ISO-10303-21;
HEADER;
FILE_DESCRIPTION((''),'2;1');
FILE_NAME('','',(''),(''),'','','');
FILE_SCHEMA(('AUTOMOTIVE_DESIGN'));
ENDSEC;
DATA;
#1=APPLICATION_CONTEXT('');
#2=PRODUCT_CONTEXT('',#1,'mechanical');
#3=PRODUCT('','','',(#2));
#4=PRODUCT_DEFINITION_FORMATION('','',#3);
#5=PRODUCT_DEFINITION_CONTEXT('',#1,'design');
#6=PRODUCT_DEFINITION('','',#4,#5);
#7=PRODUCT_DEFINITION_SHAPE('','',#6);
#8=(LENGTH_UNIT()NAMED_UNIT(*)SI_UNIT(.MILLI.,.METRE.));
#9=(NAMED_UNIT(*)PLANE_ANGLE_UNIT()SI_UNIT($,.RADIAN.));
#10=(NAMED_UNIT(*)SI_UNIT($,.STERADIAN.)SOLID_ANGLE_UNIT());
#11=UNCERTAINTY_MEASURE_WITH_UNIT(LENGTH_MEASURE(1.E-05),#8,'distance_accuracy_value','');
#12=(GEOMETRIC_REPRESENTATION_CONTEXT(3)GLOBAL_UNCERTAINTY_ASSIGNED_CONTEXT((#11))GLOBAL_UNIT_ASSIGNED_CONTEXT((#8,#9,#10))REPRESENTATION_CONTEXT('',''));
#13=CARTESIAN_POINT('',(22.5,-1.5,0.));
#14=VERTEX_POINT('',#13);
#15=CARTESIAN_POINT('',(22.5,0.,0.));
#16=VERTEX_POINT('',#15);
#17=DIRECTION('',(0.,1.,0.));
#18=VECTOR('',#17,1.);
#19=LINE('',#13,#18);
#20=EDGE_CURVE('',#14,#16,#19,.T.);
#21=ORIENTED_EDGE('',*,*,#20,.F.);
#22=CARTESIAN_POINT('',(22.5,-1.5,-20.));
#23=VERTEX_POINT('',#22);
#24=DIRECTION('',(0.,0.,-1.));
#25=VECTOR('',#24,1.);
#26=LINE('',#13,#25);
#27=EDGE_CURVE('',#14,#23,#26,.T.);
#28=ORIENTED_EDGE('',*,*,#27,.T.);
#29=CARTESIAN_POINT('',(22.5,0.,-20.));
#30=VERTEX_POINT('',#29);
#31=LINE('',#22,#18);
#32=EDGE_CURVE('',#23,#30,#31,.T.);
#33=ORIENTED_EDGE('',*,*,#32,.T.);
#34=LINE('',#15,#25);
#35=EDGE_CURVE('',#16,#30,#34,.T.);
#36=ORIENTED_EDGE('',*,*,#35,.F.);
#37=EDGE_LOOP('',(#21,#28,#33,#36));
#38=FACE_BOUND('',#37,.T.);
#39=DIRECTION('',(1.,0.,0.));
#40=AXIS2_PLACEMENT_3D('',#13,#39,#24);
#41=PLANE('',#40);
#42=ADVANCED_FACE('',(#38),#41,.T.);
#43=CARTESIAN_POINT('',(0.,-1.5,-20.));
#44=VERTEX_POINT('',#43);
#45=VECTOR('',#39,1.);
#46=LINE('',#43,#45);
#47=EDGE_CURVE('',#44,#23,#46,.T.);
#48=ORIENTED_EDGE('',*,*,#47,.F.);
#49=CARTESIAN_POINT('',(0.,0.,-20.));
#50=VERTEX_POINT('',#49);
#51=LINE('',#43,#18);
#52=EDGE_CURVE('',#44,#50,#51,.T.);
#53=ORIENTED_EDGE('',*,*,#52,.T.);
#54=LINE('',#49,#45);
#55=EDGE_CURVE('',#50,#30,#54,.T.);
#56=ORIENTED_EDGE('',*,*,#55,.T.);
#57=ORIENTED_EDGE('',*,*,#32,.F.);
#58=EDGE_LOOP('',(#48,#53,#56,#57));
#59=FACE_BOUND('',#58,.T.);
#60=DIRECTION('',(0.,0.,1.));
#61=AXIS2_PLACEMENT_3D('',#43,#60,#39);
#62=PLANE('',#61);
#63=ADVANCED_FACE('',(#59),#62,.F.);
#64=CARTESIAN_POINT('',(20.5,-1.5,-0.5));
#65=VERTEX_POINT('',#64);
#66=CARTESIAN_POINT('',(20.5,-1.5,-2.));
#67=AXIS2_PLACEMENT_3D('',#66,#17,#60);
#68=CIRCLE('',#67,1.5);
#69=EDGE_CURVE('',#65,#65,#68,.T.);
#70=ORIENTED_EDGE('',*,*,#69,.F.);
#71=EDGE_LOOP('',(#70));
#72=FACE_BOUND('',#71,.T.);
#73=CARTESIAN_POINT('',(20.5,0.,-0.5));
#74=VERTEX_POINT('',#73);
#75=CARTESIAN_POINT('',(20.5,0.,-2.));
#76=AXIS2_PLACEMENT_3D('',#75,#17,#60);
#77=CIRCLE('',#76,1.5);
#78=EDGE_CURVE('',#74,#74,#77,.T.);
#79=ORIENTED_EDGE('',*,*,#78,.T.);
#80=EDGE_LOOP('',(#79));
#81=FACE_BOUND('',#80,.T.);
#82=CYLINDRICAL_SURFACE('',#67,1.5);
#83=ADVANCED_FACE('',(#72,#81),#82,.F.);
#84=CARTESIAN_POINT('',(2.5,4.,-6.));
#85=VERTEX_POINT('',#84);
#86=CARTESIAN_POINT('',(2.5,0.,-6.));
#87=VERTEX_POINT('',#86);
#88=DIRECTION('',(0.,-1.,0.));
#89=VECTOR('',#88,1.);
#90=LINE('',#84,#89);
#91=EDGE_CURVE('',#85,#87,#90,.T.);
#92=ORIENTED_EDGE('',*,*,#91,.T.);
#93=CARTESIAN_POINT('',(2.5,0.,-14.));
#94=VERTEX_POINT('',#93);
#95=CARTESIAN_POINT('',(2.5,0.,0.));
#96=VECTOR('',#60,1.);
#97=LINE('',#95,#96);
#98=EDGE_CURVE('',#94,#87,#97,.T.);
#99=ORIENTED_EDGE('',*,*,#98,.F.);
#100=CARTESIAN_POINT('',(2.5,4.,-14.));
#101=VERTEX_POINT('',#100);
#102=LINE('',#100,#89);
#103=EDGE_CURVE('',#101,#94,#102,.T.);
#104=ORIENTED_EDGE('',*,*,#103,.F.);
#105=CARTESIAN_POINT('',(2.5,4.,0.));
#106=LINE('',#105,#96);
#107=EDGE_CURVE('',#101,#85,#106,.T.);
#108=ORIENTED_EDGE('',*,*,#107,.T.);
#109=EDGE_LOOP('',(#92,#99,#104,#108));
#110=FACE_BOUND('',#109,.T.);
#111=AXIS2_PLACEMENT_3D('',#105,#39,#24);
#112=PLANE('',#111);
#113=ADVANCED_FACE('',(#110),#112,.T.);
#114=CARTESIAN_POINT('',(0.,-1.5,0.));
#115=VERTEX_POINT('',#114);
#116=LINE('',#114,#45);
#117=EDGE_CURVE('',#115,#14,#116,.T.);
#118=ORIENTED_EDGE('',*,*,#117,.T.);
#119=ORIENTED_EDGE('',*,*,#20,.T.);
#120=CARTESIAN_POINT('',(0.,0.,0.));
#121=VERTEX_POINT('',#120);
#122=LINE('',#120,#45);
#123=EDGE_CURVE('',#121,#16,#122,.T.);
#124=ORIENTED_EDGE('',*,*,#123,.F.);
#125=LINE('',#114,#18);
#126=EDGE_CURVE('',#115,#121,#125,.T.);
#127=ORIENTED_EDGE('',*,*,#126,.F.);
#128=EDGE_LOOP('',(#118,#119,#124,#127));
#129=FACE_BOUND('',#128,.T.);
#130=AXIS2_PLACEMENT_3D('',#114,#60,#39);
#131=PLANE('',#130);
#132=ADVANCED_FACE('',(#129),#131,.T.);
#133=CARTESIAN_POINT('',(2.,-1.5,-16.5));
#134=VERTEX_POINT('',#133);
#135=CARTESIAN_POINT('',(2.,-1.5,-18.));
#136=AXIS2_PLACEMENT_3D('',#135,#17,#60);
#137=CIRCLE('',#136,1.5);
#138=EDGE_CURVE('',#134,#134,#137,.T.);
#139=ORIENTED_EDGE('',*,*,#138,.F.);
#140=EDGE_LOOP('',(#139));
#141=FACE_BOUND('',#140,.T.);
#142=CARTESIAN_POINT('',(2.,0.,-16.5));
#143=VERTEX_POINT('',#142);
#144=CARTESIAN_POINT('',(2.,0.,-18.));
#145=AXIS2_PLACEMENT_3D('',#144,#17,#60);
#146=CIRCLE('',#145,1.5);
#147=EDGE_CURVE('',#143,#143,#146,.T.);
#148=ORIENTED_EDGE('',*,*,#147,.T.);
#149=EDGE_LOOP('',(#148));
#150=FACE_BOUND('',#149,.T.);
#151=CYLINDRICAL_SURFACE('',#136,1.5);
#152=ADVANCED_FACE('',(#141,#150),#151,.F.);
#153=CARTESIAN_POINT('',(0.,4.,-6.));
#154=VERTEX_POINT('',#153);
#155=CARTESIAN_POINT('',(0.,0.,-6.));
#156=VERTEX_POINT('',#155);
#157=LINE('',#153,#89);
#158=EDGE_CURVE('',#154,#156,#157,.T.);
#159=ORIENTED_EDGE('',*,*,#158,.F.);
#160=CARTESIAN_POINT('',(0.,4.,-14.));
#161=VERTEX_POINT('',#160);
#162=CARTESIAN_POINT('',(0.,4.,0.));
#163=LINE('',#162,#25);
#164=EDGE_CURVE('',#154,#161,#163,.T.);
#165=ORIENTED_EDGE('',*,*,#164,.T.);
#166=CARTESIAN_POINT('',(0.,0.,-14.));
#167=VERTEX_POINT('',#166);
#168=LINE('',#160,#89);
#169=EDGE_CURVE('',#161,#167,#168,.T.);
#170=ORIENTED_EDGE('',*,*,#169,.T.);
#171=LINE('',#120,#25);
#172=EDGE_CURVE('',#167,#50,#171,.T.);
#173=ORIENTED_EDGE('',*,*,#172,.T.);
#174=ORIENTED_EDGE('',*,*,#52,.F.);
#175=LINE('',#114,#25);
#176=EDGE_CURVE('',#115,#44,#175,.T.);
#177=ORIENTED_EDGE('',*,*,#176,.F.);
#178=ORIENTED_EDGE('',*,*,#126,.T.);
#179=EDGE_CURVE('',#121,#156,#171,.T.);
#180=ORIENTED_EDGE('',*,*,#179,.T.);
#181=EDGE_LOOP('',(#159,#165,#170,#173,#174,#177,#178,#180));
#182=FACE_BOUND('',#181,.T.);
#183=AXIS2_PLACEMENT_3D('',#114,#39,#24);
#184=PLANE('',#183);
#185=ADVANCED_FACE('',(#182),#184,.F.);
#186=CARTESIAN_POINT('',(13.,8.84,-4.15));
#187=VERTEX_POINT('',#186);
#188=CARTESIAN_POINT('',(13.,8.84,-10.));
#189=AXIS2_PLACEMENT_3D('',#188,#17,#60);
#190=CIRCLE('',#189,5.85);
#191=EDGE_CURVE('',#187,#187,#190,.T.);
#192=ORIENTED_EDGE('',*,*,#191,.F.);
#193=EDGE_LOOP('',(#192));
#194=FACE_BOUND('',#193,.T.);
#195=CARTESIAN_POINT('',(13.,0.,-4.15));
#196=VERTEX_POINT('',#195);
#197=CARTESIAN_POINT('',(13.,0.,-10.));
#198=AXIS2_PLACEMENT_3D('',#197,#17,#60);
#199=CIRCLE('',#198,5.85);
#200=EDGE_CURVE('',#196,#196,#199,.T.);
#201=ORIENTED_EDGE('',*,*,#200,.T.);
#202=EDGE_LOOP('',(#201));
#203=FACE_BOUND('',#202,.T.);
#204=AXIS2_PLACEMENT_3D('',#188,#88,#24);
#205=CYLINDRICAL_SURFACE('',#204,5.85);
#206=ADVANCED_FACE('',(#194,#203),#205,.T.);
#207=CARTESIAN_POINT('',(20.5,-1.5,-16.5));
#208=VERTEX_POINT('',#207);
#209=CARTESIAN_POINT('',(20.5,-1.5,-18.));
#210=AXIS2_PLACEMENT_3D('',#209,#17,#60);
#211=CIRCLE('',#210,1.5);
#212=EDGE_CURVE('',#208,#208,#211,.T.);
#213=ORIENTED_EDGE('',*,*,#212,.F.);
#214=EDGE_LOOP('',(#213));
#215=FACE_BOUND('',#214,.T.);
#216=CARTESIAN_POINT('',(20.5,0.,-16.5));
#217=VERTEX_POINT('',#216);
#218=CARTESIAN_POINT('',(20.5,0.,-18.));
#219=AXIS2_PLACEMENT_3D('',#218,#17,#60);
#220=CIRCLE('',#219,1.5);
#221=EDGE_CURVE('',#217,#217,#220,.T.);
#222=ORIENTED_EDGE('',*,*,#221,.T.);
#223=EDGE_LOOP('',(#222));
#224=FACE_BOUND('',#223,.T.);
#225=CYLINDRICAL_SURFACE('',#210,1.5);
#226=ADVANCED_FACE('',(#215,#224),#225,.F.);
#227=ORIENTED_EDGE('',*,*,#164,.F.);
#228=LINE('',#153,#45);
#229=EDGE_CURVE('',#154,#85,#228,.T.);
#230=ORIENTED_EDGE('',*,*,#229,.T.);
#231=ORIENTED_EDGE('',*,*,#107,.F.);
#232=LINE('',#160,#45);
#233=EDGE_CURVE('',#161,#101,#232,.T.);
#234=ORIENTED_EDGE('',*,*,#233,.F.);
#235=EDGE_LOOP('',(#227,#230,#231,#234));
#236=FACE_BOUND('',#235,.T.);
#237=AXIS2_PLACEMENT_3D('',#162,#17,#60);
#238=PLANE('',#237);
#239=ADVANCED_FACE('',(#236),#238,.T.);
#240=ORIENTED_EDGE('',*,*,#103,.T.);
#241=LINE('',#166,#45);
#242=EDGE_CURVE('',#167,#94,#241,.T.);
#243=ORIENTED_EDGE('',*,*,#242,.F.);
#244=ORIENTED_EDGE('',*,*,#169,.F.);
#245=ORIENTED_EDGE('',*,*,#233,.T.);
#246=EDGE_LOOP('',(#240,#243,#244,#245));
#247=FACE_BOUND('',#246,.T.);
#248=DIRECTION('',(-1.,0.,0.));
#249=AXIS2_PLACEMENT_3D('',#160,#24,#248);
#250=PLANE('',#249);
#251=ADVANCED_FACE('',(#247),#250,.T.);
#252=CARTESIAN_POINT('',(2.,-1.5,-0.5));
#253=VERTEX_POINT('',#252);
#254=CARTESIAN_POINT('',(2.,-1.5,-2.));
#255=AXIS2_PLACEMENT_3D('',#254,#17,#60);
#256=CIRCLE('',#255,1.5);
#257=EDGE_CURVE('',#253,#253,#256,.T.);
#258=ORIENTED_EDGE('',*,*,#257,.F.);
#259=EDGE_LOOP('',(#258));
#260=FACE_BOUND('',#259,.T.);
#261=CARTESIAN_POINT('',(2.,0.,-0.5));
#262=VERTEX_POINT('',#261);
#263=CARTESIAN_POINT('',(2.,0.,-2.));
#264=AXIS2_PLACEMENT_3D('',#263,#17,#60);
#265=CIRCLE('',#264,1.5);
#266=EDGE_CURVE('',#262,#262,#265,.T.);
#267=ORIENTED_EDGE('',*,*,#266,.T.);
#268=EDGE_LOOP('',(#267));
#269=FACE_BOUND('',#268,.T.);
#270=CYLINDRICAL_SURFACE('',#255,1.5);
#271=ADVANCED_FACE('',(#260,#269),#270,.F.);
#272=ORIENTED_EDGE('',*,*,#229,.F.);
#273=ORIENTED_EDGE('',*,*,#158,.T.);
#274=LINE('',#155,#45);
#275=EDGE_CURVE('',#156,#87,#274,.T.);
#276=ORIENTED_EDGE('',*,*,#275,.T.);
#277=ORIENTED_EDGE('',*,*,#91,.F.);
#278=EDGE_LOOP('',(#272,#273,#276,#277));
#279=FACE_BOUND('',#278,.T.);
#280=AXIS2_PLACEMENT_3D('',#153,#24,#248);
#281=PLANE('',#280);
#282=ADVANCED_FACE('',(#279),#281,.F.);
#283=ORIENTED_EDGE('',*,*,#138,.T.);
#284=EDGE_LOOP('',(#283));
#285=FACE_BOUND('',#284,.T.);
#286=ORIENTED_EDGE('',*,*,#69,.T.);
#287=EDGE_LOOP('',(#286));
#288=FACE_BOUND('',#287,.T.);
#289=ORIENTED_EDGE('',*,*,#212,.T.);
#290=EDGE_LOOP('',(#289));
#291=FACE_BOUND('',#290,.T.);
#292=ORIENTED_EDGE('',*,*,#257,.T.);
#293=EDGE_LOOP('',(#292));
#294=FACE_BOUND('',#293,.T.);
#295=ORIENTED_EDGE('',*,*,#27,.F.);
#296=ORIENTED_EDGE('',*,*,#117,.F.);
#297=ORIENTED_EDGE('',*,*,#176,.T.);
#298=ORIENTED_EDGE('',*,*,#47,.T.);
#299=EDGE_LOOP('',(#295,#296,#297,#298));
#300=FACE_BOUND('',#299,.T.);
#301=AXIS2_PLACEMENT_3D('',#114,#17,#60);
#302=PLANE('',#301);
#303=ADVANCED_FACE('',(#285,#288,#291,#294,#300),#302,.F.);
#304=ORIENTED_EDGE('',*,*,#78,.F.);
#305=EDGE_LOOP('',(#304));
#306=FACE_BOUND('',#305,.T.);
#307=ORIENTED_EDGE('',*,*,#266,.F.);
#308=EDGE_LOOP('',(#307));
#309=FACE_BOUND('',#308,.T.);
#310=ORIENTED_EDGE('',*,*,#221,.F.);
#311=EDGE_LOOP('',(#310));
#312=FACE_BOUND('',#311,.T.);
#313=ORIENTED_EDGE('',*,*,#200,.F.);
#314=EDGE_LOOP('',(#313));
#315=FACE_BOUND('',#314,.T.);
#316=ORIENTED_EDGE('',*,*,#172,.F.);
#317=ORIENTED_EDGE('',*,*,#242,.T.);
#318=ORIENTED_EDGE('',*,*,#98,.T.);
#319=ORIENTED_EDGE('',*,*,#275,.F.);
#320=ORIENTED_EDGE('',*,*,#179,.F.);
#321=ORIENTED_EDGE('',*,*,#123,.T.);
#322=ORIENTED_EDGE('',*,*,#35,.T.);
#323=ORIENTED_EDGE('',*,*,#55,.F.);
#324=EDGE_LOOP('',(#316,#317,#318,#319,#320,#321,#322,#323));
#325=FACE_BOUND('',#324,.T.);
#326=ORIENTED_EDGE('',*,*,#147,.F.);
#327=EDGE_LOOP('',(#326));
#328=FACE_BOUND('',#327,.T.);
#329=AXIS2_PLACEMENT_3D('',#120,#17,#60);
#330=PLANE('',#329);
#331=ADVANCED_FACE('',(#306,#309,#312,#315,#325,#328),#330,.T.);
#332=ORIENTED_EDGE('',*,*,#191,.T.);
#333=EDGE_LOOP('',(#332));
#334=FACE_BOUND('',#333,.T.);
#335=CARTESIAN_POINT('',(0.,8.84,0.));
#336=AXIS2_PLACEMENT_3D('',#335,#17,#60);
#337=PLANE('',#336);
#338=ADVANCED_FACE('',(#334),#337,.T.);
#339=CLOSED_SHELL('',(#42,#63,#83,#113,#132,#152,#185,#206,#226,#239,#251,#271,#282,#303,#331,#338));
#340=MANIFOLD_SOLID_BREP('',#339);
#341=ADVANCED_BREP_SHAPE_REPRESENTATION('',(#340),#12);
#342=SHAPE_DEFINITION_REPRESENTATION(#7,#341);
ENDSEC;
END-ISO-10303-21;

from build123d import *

# Parameters (mm, degrees)
SKETCH_1_W      = 22.5
SKETCH_1_H      = 20
SKETCH_1_R      = 1.5
EXTRUDE_1_DEPTH = 1.5
SKETCH_1_3_R    = 5.85
EXTRUDE_2_DEPTH = 8.84
SKETCH_1_4_W    = 2.5
SKETCH_1_4_H    = 8
EXTRUDE_3_DEPTH = 4


with BuildPart() as part:
    # 草图1 → 凸台-拉伸1 (new body)
    with BuildSketch(Plane(origin=(0, 0, 0), x_dir=(1, 0, 0), z_dir=(0, 1, 0))):
        with Locations((11.25, 10)):
            Rectangle(SKETCH_1_W, SKETCH_1_H)
        with Locations((2, 2)):
            Circle(SKETCH_1_R, mode=Mode.SUBTRACT)
        with Locations((20.5, 2)):
            Circle(SKETCH_1_R, mode=Mode.SUBTRACT)
        with Locations((2, 18)):
            Circle(SKETCH_1_R, mode=Mode.SUBTRACT)
        with Locations((20.5, 18)):
            Circle(SKETCH_1_R, mode=Mode.SUBTRACT)
    extrude(amount=-EXTRUDE_1_DEPTH)

    # 草图1<3> → 凸台-拉伸2 (add)
    with BuildSketch(Plane(origin=(0, 0, 0), x_dir=(1, 0, 0), z_dir=(0, 1, 0))):
        with Locations((13, 10)):
            Circle(SKETCH_1_3_R)
    extrude(amount=EXTRUDE_2_DEPTH)

    # 草图1<4> → 凸台-拉伸3 (add)
    with BuildSketch(Plane(origin=(0, 0, 0), x_dir=(1, 0, 0), z_dir=(0, 1, 0))):
        with Locations((1.25, 10)):
            Rectangle(SKETCH_1_4_W, SKETCH_1_4_H)
    extrude(amount=EXTRUDE_3_DEPTH)


solid = part.part
